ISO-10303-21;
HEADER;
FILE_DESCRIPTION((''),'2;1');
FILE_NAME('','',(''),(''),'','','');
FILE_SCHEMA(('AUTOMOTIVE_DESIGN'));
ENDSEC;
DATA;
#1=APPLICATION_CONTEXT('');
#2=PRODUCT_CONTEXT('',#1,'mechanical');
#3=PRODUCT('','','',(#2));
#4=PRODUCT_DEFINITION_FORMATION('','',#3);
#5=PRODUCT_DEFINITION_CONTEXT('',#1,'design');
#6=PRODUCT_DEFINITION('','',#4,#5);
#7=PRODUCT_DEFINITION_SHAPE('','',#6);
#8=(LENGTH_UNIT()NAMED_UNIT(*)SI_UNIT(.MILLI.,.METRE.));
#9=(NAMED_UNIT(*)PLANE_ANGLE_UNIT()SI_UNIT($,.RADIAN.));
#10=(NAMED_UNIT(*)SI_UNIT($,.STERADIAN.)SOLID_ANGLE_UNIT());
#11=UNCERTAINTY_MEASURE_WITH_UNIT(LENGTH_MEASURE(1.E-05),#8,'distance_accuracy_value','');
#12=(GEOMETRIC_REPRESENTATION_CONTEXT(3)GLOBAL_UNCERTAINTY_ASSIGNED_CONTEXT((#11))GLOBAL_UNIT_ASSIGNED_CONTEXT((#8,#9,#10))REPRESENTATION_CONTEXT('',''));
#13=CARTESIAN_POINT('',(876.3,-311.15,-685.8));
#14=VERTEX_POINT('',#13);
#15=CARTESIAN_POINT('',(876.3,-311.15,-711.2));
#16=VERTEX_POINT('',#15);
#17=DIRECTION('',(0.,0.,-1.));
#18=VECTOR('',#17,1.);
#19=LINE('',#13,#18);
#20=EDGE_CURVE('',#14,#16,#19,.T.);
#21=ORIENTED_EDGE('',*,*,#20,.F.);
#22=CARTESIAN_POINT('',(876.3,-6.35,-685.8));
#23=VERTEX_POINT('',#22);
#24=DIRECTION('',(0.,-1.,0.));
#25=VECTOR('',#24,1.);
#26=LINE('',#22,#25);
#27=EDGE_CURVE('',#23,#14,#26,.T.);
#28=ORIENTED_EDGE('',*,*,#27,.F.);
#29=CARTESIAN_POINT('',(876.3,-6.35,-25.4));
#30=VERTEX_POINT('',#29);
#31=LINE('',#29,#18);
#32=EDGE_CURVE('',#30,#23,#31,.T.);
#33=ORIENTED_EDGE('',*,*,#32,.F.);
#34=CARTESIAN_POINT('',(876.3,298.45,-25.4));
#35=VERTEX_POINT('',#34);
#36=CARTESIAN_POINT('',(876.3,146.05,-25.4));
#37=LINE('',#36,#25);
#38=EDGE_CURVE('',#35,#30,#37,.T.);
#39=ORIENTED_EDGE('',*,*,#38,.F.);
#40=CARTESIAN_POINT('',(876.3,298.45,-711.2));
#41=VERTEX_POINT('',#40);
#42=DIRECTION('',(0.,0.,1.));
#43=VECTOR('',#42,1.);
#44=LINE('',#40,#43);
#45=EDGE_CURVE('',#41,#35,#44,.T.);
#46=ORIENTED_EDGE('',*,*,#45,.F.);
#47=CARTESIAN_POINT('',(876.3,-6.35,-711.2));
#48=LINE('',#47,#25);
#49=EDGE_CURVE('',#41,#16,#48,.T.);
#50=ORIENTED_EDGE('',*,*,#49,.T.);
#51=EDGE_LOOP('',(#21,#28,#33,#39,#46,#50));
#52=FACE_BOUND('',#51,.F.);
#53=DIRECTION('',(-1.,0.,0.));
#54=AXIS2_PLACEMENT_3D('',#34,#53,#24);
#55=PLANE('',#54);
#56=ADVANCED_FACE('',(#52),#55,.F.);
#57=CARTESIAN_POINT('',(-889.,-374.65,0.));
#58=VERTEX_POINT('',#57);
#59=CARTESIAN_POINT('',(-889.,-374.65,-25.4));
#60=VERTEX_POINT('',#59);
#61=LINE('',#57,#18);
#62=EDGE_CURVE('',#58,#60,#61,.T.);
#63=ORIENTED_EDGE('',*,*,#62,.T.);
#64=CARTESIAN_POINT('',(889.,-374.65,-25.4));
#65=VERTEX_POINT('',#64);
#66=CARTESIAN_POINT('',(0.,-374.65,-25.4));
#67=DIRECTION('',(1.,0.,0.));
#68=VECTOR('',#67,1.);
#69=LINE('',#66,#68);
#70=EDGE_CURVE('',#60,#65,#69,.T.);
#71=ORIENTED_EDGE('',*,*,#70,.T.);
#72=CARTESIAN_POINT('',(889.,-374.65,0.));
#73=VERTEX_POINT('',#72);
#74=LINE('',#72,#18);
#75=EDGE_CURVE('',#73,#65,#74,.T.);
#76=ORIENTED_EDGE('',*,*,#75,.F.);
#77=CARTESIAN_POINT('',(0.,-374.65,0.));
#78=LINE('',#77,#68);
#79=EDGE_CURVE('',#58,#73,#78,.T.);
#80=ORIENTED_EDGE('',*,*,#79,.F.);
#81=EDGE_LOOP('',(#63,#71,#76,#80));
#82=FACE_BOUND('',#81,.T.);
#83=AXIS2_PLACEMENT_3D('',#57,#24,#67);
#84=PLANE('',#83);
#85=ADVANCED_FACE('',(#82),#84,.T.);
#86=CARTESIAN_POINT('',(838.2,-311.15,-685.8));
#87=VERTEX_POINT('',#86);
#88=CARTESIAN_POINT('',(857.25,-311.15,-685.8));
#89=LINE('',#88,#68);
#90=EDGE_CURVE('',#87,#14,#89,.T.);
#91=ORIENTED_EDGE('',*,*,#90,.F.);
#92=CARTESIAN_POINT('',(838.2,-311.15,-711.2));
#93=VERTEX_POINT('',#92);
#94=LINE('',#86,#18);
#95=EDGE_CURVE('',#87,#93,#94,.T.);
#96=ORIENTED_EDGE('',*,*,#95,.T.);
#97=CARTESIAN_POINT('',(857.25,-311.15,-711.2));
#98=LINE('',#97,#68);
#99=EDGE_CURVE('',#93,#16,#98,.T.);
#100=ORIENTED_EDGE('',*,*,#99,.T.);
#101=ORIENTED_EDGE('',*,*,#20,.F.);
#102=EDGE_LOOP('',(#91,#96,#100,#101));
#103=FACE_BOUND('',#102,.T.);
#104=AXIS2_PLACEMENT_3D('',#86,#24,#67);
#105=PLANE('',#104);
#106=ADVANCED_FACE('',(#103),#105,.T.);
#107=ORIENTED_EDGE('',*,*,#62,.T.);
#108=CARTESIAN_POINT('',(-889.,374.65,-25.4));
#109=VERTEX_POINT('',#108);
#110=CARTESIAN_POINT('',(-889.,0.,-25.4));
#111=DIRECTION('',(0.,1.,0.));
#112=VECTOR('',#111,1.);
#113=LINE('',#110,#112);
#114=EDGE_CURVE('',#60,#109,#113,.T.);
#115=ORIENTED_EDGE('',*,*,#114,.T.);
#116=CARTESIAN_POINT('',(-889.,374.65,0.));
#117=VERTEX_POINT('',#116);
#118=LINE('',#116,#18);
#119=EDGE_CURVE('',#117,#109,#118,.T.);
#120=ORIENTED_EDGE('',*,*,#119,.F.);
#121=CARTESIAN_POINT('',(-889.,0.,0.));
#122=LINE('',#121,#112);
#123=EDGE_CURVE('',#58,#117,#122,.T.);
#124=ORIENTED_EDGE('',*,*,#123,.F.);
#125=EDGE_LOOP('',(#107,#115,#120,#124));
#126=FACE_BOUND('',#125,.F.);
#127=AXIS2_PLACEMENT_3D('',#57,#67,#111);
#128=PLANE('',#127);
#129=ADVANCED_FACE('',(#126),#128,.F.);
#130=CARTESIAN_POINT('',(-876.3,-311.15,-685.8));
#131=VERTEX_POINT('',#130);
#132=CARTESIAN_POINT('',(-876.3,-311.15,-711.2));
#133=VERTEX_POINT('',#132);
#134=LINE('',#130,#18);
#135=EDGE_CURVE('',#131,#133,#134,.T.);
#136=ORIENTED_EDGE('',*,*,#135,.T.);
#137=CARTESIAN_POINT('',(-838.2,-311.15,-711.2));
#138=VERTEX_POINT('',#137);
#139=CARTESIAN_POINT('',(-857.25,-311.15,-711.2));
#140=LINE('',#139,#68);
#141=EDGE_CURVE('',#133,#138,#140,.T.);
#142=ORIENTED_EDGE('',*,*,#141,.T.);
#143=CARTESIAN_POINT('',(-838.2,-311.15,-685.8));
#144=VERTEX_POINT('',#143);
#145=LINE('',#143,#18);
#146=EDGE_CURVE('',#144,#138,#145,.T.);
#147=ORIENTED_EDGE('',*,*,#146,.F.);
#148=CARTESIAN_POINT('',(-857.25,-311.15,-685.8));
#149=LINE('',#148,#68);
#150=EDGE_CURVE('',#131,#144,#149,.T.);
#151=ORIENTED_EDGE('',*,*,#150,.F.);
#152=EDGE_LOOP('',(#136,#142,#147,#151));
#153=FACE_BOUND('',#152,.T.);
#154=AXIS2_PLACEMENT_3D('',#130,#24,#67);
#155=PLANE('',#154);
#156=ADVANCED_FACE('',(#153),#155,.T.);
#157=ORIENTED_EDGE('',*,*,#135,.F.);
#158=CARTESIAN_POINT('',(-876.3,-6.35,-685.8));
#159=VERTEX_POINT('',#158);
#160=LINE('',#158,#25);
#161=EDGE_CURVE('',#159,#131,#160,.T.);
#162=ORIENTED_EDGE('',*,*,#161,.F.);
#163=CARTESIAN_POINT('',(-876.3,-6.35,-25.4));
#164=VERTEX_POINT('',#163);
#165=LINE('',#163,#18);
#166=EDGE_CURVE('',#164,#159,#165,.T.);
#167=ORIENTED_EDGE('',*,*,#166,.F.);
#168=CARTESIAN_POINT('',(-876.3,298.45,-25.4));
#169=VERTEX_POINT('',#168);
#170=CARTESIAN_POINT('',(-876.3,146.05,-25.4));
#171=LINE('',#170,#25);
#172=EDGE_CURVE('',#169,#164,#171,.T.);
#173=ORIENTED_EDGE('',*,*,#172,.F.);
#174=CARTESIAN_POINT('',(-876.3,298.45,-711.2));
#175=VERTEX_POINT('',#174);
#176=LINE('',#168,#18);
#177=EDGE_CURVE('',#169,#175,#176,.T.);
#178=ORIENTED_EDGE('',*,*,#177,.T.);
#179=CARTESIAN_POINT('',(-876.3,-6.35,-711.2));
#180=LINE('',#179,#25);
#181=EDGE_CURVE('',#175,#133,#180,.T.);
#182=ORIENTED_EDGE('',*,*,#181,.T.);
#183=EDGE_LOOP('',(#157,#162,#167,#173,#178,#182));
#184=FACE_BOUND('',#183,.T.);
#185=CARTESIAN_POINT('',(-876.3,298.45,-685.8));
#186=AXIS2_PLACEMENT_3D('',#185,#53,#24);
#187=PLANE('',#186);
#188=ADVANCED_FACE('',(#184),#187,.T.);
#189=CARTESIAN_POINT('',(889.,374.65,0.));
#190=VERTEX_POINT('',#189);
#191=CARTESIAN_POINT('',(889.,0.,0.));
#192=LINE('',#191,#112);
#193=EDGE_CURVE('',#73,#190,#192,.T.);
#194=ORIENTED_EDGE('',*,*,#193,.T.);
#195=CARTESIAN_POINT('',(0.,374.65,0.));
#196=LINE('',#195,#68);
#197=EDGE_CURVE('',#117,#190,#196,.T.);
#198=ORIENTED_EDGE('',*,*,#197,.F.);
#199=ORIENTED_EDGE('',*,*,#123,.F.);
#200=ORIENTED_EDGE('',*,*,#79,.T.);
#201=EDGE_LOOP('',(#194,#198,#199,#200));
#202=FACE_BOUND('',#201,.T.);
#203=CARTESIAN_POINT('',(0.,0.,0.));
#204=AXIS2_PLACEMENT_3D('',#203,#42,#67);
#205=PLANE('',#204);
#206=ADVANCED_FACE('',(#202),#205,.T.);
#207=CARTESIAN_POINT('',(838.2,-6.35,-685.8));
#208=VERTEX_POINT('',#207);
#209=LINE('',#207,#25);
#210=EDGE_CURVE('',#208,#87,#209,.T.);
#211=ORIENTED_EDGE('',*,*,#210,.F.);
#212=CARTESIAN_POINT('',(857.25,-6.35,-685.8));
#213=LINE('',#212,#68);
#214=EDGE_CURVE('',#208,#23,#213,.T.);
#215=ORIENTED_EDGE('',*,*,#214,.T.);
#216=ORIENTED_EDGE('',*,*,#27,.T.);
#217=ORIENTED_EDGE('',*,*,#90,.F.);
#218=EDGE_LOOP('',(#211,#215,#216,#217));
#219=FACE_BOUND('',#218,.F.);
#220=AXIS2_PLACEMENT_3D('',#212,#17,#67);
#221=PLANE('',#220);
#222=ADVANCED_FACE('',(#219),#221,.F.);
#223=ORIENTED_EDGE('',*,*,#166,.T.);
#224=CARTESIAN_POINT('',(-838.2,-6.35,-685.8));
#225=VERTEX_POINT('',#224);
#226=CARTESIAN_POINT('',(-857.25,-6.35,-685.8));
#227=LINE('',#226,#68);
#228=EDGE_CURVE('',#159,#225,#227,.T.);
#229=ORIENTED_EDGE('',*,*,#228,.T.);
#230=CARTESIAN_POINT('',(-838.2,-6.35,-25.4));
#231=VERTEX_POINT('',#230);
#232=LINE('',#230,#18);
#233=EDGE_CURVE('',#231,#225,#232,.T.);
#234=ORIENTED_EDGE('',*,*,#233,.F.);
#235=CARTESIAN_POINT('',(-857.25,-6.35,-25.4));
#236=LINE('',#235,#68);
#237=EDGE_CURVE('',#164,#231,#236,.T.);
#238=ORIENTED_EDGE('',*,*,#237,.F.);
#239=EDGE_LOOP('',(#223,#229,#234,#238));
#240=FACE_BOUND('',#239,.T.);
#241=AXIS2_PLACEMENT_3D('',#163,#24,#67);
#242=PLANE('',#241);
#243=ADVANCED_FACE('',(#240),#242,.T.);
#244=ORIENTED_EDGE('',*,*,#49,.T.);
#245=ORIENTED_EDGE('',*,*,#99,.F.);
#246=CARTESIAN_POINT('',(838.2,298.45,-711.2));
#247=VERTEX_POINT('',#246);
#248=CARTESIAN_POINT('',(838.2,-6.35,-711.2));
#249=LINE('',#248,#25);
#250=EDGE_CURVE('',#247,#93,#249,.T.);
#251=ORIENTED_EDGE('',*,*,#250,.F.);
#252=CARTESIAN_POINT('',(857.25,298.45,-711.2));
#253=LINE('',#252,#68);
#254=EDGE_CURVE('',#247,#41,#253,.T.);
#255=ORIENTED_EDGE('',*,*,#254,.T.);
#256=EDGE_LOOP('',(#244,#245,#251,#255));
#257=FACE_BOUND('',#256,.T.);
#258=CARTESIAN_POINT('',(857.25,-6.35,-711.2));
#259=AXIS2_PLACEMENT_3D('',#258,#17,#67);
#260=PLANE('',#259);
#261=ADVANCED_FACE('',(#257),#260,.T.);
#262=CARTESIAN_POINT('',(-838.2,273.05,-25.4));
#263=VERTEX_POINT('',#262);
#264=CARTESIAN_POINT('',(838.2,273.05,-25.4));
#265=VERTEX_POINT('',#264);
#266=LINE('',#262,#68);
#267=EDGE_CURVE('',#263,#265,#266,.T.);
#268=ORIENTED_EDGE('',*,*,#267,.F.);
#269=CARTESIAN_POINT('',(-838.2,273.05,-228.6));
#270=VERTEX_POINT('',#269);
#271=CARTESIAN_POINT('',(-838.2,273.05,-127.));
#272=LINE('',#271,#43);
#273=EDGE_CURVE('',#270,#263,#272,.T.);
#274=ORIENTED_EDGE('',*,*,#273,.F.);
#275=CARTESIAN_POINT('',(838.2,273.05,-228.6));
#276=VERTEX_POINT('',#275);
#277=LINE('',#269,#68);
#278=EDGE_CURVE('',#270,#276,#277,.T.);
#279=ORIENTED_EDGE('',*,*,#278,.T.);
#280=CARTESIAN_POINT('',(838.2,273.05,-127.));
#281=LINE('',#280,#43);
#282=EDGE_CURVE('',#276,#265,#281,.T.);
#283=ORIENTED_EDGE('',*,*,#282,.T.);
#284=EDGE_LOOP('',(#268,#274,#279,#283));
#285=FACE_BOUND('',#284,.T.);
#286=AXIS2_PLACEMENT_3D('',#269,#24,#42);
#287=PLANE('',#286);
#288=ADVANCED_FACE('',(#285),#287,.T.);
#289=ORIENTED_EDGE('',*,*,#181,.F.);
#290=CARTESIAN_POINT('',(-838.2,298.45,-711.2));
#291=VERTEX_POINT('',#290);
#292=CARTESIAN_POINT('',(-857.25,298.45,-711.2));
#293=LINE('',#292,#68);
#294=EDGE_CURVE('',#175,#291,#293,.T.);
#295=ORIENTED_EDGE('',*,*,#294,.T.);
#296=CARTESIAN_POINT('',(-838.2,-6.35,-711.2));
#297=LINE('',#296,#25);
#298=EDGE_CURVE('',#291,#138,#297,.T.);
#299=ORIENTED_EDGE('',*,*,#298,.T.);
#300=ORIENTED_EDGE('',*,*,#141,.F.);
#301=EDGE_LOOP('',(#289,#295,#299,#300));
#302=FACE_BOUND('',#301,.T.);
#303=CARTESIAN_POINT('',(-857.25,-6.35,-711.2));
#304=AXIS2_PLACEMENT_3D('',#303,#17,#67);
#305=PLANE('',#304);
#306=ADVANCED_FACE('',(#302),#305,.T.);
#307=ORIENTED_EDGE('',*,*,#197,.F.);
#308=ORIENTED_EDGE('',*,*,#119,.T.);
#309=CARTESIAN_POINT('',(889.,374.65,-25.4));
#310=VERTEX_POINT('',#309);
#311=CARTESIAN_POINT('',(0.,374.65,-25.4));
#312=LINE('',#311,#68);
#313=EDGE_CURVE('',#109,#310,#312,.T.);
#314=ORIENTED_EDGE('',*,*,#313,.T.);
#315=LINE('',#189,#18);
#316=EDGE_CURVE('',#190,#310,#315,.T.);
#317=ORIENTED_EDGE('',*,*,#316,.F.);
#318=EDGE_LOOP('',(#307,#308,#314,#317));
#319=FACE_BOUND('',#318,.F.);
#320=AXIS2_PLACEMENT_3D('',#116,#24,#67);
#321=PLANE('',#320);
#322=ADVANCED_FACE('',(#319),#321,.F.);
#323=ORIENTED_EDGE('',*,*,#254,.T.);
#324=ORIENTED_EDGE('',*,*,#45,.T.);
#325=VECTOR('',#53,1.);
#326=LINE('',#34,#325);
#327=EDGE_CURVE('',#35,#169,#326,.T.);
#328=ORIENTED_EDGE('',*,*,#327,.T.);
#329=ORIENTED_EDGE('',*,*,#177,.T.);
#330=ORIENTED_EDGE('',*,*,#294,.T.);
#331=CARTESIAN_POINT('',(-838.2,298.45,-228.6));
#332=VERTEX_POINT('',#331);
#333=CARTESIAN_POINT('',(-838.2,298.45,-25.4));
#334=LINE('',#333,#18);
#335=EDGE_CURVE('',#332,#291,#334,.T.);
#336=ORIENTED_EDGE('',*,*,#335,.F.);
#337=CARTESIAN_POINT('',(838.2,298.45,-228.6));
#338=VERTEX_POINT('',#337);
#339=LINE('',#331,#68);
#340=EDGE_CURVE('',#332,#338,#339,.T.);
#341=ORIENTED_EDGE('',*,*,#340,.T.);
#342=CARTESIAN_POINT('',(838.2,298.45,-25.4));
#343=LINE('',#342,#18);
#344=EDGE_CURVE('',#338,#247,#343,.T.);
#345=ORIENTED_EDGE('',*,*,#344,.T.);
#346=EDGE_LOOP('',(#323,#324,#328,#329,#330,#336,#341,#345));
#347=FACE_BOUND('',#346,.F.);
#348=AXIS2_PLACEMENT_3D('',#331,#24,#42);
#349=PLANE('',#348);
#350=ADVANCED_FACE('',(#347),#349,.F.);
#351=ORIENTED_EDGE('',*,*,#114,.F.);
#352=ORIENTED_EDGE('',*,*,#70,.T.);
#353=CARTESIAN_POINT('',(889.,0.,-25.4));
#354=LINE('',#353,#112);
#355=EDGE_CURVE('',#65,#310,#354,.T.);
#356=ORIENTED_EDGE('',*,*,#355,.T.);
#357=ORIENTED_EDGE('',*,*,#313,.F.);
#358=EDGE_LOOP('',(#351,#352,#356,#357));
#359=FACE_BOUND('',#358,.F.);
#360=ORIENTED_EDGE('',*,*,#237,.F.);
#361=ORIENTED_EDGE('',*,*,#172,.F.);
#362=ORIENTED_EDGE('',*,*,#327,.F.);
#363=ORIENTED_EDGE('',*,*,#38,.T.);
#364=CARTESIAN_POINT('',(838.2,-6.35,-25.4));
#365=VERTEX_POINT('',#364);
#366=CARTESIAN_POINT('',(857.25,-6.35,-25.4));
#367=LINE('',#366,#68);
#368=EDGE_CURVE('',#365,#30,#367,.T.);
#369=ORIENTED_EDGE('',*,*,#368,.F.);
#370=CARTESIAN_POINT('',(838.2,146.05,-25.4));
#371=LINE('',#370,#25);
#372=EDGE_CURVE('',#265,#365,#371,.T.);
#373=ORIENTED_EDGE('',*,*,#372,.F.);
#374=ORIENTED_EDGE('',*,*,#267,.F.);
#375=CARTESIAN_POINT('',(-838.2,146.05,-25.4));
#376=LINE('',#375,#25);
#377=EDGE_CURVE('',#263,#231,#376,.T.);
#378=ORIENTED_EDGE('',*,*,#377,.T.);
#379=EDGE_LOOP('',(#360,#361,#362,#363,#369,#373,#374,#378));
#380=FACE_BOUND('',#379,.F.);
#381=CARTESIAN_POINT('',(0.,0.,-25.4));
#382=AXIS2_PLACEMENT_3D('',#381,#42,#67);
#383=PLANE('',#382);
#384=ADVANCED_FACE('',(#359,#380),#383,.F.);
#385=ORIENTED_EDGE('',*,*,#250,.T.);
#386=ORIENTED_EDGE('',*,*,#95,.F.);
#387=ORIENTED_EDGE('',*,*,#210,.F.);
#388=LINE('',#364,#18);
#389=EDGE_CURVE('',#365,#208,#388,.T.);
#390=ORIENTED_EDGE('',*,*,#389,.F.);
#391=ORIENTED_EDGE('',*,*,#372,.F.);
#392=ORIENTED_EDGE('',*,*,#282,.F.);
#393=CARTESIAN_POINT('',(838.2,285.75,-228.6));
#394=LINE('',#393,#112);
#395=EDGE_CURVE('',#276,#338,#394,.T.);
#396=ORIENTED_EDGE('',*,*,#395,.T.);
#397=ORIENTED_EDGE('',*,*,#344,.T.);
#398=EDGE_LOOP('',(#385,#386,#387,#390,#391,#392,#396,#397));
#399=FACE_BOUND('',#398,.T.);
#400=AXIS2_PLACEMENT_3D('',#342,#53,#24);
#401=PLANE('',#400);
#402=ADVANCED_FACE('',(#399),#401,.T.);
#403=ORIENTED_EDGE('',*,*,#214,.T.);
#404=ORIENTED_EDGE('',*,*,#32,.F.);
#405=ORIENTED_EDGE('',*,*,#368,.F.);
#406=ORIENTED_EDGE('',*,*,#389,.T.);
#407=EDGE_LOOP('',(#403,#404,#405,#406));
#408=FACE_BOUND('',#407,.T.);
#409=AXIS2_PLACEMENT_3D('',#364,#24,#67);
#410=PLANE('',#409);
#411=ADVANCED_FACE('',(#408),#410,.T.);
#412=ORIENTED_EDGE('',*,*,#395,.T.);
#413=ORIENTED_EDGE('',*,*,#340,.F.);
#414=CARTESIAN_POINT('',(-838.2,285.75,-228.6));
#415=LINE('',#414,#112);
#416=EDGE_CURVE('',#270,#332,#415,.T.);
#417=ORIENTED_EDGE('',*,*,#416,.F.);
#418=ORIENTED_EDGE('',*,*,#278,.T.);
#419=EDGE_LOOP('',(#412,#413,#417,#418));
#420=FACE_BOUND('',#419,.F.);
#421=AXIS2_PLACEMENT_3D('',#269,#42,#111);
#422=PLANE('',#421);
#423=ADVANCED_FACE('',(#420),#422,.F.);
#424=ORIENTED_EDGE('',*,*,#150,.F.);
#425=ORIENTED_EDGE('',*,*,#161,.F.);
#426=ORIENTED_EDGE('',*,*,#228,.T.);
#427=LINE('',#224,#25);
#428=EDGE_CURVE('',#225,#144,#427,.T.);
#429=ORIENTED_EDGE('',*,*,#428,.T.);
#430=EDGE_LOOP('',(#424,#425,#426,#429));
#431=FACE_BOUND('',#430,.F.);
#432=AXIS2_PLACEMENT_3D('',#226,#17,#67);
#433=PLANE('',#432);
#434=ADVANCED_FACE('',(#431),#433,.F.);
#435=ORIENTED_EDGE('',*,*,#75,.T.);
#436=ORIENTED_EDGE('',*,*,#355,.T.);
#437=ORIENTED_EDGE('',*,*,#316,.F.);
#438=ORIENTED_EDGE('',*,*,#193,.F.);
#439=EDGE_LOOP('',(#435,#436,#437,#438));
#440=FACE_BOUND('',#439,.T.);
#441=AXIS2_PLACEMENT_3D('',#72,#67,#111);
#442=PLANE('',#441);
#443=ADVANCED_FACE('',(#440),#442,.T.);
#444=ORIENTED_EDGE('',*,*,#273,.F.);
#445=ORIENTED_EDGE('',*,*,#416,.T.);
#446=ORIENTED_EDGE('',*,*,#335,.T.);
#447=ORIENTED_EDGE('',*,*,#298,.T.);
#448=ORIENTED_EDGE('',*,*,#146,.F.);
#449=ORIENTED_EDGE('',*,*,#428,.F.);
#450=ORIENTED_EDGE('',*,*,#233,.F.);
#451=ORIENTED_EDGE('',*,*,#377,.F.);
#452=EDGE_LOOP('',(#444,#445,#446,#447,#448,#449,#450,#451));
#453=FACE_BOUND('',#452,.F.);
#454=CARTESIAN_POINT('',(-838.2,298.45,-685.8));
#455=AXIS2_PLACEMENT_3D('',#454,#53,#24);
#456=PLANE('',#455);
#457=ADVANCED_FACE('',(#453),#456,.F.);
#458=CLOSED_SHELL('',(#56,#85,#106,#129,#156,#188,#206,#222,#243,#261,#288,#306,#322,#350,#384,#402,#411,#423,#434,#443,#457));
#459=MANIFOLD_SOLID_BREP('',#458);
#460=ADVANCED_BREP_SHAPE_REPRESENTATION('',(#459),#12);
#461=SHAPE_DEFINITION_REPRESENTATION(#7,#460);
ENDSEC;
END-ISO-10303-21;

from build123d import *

# Parameters (mm, degrees)
F0_W     = 1778
F0_H     = 749.3
F1_DEPTH = 25.4
F2_W     = 38.1
F2_H     = 304.8
F3_DEPTH = 660.4
F5_W     = 38.1
F5_H     = 609.6
F4_W     = 38.1
F4_H     = 609.6
F6_DEPTH = 25.4
F7_W     = 25.4
F7_H     = 203.2
F8_DEPTH = 1676.4


with BuildPart() as f1:
    # F0 (on Top) → F1 (new body)
    with BuildSketch(Plane.XY):
        Rectangle(F0_W, F0_H)
    extrude(amount=-F1_DEPTH)

    # F2 (on face) → F3 (join)
    with BuildSketch(Plane(origin=(0, 0, -25.4), x_dir=(1, 0, 0), z_dir=(0, 0, -1))):
        with Locations((857.25, -146.05)):
            Rectangle(F2_W, F2_H)
        with Locations((-857.25, -146.05)):
            Rectangle(F2_W, F2_H)
    extrude(amount=F3_DEPTH)

    # F5 (on face) + F4 (on face) → F6 (join)
    with BuildSketch(Plane(origin=(0, 0, -685.8), x_dir=(1, 0, 0), z_dir=(0, 0, -1))):
        with Locations((-857.25, 6.35)):
            Rectangle(F5_W, F5_H)
    with BuildSketch(Plane(origin=(0, 0, -685.8), x_dir=(1, 0, 0), z_dir=(0, 0, -1))):
        with Locations((857.25, 6.35)):
            Rectangle(F4_W, F4_H)
    extrude(amount=F6_DEPTH)

    # F7 (on face) → F8 (join, through all)
    with BuildSketch(Plane.YZ.offset(-838.2)):
        with Locations((285.75, -127)):
            Rectangle(F7_W, F7_H)
    extrude(amount=F8_DEPTH)


solid = f1.part
